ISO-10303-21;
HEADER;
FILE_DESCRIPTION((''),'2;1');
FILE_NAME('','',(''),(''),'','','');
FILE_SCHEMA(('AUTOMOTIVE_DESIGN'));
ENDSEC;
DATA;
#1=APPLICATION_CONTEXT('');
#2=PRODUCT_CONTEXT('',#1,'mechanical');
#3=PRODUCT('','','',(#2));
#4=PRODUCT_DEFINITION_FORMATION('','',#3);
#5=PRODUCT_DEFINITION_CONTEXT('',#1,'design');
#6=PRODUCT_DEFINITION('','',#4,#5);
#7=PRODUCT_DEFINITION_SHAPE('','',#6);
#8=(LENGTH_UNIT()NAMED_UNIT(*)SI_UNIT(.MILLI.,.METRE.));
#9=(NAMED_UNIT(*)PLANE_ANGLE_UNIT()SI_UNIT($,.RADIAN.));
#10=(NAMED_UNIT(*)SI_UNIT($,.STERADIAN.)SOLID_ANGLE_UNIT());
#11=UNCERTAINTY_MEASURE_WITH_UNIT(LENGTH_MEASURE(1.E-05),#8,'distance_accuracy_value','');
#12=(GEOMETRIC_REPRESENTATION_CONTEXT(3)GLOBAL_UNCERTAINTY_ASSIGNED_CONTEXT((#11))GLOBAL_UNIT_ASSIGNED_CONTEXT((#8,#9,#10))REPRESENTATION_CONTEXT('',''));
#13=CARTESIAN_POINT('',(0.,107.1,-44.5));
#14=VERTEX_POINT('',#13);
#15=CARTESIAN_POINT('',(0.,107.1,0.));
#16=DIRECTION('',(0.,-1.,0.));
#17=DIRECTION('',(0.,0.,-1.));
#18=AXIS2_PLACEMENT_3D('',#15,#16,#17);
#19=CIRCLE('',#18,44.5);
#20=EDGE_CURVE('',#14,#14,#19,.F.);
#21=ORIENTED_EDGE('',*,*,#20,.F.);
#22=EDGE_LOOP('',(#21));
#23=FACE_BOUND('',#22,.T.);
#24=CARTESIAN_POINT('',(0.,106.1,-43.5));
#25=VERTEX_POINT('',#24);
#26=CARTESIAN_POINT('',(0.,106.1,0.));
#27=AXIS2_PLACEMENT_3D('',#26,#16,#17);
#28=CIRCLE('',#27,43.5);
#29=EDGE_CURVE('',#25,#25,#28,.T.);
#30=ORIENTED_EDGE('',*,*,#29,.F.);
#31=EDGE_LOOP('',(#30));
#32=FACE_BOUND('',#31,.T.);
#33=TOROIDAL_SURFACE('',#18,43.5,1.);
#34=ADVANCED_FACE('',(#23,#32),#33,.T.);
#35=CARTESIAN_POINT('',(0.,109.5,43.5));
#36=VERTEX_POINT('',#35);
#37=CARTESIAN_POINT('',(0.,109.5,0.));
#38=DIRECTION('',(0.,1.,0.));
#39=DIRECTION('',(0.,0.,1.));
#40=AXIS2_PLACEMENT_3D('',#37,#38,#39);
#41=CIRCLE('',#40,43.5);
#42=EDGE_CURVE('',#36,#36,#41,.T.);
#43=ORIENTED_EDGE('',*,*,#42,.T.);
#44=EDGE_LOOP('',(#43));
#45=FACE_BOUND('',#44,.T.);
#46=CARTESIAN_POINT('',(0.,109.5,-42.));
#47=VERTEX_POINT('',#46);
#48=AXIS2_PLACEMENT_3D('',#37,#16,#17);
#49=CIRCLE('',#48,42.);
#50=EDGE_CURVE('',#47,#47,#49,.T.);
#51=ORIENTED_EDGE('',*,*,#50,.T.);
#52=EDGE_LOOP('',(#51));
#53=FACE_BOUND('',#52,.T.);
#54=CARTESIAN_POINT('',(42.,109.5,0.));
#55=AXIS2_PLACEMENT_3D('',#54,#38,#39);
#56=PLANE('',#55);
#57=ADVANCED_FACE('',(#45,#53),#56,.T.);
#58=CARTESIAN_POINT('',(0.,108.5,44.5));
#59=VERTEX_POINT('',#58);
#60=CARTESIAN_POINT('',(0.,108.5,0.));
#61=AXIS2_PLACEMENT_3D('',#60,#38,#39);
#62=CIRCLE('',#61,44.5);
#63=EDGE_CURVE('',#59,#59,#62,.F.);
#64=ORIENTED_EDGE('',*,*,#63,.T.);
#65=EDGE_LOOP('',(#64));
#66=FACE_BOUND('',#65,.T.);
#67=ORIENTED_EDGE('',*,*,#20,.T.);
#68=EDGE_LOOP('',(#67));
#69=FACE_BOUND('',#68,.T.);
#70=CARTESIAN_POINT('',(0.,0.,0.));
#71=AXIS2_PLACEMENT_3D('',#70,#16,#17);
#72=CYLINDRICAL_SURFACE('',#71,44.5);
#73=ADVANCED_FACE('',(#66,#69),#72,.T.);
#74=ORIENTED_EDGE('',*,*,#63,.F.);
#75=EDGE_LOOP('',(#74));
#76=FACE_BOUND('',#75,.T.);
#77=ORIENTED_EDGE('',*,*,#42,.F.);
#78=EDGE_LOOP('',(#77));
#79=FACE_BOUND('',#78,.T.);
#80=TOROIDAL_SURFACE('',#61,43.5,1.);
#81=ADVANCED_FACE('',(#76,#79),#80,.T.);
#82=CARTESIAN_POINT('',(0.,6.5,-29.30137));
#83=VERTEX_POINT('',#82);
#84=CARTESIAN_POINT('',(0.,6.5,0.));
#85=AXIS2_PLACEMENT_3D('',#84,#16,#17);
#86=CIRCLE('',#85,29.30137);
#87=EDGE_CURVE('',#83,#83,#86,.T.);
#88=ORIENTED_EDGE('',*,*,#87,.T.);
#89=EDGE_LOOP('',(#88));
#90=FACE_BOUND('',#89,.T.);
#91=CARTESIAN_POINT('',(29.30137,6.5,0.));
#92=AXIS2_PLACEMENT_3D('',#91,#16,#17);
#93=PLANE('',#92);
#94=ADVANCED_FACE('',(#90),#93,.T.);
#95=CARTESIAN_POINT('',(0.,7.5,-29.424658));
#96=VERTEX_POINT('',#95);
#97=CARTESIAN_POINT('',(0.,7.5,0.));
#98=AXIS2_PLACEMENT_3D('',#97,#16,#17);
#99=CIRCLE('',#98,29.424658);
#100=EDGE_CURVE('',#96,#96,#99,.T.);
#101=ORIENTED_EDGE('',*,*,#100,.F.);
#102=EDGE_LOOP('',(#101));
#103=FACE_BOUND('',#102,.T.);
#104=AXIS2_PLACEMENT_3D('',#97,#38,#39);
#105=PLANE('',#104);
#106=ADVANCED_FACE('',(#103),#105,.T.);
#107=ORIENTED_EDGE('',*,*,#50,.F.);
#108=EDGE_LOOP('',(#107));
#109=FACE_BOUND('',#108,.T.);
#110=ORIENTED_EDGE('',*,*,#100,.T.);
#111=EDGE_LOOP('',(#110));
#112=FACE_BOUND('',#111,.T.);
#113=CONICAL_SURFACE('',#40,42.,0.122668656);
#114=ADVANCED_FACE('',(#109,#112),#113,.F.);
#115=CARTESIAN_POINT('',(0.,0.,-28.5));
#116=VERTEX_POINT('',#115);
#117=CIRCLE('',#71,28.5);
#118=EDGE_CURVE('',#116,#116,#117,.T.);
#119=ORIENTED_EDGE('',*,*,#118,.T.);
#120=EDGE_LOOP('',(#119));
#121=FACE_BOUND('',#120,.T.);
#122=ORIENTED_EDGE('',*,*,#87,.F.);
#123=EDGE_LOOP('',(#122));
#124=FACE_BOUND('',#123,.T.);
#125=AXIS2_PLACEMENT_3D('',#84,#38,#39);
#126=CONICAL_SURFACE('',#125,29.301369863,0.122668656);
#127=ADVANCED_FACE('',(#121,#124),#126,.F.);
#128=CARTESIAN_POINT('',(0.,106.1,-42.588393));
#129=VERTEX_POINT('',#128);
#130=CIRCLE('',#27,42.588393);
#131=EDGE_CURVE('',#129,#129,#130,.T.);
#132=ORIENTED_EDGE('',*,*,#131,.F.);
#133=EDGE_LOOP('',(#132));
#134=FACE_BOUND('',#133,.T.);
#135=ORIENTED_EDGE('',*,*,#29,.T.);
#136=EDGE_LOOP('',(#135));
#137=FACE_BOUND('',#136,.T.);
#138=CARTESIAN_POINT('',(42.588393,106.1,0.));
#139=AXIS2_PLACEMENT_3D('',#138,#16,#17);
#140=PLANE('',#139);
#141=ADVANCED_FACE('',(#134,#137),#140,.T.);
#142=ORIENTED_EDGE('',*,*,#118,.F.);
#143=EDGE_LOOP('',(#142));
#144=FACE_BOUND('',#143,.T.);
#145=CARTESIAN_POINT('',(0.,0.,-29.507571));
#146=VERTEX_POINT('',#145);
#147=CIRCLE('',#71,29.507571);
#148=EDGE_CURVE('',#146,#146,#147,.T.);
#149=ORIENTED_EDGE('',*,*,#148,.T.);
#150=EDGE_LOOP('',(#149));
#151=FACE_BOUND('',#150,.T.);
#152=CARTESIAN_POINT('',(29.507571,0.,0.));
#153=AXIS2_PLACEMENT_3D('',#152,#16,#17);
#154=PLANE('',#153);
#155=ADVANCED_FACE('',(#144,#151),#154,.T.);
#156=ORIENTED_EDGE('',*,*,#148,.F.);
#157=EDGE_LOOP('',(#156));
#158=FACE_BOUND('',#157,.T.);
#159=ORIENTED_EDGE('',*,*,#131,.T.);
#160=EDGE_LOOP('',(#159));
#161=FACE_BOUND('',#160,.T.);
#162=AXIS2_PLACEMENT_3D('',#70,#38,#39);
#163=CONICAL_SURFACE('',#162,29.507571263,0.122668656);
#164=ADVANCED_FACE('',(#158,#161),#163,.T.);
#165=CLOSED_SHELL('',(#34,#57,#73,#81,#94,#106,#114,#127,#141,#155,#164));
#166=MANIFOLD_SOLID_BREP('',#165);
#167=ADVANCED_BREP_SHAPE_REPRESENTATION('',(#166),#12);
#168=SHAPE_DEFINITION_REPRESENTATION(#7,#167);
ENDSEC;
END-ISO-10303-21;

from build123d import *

# Parameters (mm, degrees)
REDONDEO1_R = 1


with BuildPart() as part:
    # Croquis1 → Revolución1 (revolve)
    with BuildSketch(Plane.XY, mode=Mode.PRIVATE) as revoluci_n1_sk:
        Polygon((29.507571263, 0), (42.588393181, 106.1), (44.5, 106.1), (44.5, 109.5), (42, 109.5), (29.424657534, 7.5), (0, 7.5), (0, 6.5), (29.301369863, 6.5), (28.5, 0), align=None)
    revolve(revoluci_n1_sk.sketch.rotate(Axis((0, 0, 0), (0, 1, 0)), 90), axis=Axis((0, 0, 0), (0, 1, 0)))

    # Redondeo1
    redondeo1_edges = [part.edges().sort_by_distance(p)[0] for p in [
        (0, 109.5, 44.5),
        (0, 106.1, 44.5),
    ]]
    fillet(redondeo1_edges, radius=REDONDEO1_R)


solid = part.part
